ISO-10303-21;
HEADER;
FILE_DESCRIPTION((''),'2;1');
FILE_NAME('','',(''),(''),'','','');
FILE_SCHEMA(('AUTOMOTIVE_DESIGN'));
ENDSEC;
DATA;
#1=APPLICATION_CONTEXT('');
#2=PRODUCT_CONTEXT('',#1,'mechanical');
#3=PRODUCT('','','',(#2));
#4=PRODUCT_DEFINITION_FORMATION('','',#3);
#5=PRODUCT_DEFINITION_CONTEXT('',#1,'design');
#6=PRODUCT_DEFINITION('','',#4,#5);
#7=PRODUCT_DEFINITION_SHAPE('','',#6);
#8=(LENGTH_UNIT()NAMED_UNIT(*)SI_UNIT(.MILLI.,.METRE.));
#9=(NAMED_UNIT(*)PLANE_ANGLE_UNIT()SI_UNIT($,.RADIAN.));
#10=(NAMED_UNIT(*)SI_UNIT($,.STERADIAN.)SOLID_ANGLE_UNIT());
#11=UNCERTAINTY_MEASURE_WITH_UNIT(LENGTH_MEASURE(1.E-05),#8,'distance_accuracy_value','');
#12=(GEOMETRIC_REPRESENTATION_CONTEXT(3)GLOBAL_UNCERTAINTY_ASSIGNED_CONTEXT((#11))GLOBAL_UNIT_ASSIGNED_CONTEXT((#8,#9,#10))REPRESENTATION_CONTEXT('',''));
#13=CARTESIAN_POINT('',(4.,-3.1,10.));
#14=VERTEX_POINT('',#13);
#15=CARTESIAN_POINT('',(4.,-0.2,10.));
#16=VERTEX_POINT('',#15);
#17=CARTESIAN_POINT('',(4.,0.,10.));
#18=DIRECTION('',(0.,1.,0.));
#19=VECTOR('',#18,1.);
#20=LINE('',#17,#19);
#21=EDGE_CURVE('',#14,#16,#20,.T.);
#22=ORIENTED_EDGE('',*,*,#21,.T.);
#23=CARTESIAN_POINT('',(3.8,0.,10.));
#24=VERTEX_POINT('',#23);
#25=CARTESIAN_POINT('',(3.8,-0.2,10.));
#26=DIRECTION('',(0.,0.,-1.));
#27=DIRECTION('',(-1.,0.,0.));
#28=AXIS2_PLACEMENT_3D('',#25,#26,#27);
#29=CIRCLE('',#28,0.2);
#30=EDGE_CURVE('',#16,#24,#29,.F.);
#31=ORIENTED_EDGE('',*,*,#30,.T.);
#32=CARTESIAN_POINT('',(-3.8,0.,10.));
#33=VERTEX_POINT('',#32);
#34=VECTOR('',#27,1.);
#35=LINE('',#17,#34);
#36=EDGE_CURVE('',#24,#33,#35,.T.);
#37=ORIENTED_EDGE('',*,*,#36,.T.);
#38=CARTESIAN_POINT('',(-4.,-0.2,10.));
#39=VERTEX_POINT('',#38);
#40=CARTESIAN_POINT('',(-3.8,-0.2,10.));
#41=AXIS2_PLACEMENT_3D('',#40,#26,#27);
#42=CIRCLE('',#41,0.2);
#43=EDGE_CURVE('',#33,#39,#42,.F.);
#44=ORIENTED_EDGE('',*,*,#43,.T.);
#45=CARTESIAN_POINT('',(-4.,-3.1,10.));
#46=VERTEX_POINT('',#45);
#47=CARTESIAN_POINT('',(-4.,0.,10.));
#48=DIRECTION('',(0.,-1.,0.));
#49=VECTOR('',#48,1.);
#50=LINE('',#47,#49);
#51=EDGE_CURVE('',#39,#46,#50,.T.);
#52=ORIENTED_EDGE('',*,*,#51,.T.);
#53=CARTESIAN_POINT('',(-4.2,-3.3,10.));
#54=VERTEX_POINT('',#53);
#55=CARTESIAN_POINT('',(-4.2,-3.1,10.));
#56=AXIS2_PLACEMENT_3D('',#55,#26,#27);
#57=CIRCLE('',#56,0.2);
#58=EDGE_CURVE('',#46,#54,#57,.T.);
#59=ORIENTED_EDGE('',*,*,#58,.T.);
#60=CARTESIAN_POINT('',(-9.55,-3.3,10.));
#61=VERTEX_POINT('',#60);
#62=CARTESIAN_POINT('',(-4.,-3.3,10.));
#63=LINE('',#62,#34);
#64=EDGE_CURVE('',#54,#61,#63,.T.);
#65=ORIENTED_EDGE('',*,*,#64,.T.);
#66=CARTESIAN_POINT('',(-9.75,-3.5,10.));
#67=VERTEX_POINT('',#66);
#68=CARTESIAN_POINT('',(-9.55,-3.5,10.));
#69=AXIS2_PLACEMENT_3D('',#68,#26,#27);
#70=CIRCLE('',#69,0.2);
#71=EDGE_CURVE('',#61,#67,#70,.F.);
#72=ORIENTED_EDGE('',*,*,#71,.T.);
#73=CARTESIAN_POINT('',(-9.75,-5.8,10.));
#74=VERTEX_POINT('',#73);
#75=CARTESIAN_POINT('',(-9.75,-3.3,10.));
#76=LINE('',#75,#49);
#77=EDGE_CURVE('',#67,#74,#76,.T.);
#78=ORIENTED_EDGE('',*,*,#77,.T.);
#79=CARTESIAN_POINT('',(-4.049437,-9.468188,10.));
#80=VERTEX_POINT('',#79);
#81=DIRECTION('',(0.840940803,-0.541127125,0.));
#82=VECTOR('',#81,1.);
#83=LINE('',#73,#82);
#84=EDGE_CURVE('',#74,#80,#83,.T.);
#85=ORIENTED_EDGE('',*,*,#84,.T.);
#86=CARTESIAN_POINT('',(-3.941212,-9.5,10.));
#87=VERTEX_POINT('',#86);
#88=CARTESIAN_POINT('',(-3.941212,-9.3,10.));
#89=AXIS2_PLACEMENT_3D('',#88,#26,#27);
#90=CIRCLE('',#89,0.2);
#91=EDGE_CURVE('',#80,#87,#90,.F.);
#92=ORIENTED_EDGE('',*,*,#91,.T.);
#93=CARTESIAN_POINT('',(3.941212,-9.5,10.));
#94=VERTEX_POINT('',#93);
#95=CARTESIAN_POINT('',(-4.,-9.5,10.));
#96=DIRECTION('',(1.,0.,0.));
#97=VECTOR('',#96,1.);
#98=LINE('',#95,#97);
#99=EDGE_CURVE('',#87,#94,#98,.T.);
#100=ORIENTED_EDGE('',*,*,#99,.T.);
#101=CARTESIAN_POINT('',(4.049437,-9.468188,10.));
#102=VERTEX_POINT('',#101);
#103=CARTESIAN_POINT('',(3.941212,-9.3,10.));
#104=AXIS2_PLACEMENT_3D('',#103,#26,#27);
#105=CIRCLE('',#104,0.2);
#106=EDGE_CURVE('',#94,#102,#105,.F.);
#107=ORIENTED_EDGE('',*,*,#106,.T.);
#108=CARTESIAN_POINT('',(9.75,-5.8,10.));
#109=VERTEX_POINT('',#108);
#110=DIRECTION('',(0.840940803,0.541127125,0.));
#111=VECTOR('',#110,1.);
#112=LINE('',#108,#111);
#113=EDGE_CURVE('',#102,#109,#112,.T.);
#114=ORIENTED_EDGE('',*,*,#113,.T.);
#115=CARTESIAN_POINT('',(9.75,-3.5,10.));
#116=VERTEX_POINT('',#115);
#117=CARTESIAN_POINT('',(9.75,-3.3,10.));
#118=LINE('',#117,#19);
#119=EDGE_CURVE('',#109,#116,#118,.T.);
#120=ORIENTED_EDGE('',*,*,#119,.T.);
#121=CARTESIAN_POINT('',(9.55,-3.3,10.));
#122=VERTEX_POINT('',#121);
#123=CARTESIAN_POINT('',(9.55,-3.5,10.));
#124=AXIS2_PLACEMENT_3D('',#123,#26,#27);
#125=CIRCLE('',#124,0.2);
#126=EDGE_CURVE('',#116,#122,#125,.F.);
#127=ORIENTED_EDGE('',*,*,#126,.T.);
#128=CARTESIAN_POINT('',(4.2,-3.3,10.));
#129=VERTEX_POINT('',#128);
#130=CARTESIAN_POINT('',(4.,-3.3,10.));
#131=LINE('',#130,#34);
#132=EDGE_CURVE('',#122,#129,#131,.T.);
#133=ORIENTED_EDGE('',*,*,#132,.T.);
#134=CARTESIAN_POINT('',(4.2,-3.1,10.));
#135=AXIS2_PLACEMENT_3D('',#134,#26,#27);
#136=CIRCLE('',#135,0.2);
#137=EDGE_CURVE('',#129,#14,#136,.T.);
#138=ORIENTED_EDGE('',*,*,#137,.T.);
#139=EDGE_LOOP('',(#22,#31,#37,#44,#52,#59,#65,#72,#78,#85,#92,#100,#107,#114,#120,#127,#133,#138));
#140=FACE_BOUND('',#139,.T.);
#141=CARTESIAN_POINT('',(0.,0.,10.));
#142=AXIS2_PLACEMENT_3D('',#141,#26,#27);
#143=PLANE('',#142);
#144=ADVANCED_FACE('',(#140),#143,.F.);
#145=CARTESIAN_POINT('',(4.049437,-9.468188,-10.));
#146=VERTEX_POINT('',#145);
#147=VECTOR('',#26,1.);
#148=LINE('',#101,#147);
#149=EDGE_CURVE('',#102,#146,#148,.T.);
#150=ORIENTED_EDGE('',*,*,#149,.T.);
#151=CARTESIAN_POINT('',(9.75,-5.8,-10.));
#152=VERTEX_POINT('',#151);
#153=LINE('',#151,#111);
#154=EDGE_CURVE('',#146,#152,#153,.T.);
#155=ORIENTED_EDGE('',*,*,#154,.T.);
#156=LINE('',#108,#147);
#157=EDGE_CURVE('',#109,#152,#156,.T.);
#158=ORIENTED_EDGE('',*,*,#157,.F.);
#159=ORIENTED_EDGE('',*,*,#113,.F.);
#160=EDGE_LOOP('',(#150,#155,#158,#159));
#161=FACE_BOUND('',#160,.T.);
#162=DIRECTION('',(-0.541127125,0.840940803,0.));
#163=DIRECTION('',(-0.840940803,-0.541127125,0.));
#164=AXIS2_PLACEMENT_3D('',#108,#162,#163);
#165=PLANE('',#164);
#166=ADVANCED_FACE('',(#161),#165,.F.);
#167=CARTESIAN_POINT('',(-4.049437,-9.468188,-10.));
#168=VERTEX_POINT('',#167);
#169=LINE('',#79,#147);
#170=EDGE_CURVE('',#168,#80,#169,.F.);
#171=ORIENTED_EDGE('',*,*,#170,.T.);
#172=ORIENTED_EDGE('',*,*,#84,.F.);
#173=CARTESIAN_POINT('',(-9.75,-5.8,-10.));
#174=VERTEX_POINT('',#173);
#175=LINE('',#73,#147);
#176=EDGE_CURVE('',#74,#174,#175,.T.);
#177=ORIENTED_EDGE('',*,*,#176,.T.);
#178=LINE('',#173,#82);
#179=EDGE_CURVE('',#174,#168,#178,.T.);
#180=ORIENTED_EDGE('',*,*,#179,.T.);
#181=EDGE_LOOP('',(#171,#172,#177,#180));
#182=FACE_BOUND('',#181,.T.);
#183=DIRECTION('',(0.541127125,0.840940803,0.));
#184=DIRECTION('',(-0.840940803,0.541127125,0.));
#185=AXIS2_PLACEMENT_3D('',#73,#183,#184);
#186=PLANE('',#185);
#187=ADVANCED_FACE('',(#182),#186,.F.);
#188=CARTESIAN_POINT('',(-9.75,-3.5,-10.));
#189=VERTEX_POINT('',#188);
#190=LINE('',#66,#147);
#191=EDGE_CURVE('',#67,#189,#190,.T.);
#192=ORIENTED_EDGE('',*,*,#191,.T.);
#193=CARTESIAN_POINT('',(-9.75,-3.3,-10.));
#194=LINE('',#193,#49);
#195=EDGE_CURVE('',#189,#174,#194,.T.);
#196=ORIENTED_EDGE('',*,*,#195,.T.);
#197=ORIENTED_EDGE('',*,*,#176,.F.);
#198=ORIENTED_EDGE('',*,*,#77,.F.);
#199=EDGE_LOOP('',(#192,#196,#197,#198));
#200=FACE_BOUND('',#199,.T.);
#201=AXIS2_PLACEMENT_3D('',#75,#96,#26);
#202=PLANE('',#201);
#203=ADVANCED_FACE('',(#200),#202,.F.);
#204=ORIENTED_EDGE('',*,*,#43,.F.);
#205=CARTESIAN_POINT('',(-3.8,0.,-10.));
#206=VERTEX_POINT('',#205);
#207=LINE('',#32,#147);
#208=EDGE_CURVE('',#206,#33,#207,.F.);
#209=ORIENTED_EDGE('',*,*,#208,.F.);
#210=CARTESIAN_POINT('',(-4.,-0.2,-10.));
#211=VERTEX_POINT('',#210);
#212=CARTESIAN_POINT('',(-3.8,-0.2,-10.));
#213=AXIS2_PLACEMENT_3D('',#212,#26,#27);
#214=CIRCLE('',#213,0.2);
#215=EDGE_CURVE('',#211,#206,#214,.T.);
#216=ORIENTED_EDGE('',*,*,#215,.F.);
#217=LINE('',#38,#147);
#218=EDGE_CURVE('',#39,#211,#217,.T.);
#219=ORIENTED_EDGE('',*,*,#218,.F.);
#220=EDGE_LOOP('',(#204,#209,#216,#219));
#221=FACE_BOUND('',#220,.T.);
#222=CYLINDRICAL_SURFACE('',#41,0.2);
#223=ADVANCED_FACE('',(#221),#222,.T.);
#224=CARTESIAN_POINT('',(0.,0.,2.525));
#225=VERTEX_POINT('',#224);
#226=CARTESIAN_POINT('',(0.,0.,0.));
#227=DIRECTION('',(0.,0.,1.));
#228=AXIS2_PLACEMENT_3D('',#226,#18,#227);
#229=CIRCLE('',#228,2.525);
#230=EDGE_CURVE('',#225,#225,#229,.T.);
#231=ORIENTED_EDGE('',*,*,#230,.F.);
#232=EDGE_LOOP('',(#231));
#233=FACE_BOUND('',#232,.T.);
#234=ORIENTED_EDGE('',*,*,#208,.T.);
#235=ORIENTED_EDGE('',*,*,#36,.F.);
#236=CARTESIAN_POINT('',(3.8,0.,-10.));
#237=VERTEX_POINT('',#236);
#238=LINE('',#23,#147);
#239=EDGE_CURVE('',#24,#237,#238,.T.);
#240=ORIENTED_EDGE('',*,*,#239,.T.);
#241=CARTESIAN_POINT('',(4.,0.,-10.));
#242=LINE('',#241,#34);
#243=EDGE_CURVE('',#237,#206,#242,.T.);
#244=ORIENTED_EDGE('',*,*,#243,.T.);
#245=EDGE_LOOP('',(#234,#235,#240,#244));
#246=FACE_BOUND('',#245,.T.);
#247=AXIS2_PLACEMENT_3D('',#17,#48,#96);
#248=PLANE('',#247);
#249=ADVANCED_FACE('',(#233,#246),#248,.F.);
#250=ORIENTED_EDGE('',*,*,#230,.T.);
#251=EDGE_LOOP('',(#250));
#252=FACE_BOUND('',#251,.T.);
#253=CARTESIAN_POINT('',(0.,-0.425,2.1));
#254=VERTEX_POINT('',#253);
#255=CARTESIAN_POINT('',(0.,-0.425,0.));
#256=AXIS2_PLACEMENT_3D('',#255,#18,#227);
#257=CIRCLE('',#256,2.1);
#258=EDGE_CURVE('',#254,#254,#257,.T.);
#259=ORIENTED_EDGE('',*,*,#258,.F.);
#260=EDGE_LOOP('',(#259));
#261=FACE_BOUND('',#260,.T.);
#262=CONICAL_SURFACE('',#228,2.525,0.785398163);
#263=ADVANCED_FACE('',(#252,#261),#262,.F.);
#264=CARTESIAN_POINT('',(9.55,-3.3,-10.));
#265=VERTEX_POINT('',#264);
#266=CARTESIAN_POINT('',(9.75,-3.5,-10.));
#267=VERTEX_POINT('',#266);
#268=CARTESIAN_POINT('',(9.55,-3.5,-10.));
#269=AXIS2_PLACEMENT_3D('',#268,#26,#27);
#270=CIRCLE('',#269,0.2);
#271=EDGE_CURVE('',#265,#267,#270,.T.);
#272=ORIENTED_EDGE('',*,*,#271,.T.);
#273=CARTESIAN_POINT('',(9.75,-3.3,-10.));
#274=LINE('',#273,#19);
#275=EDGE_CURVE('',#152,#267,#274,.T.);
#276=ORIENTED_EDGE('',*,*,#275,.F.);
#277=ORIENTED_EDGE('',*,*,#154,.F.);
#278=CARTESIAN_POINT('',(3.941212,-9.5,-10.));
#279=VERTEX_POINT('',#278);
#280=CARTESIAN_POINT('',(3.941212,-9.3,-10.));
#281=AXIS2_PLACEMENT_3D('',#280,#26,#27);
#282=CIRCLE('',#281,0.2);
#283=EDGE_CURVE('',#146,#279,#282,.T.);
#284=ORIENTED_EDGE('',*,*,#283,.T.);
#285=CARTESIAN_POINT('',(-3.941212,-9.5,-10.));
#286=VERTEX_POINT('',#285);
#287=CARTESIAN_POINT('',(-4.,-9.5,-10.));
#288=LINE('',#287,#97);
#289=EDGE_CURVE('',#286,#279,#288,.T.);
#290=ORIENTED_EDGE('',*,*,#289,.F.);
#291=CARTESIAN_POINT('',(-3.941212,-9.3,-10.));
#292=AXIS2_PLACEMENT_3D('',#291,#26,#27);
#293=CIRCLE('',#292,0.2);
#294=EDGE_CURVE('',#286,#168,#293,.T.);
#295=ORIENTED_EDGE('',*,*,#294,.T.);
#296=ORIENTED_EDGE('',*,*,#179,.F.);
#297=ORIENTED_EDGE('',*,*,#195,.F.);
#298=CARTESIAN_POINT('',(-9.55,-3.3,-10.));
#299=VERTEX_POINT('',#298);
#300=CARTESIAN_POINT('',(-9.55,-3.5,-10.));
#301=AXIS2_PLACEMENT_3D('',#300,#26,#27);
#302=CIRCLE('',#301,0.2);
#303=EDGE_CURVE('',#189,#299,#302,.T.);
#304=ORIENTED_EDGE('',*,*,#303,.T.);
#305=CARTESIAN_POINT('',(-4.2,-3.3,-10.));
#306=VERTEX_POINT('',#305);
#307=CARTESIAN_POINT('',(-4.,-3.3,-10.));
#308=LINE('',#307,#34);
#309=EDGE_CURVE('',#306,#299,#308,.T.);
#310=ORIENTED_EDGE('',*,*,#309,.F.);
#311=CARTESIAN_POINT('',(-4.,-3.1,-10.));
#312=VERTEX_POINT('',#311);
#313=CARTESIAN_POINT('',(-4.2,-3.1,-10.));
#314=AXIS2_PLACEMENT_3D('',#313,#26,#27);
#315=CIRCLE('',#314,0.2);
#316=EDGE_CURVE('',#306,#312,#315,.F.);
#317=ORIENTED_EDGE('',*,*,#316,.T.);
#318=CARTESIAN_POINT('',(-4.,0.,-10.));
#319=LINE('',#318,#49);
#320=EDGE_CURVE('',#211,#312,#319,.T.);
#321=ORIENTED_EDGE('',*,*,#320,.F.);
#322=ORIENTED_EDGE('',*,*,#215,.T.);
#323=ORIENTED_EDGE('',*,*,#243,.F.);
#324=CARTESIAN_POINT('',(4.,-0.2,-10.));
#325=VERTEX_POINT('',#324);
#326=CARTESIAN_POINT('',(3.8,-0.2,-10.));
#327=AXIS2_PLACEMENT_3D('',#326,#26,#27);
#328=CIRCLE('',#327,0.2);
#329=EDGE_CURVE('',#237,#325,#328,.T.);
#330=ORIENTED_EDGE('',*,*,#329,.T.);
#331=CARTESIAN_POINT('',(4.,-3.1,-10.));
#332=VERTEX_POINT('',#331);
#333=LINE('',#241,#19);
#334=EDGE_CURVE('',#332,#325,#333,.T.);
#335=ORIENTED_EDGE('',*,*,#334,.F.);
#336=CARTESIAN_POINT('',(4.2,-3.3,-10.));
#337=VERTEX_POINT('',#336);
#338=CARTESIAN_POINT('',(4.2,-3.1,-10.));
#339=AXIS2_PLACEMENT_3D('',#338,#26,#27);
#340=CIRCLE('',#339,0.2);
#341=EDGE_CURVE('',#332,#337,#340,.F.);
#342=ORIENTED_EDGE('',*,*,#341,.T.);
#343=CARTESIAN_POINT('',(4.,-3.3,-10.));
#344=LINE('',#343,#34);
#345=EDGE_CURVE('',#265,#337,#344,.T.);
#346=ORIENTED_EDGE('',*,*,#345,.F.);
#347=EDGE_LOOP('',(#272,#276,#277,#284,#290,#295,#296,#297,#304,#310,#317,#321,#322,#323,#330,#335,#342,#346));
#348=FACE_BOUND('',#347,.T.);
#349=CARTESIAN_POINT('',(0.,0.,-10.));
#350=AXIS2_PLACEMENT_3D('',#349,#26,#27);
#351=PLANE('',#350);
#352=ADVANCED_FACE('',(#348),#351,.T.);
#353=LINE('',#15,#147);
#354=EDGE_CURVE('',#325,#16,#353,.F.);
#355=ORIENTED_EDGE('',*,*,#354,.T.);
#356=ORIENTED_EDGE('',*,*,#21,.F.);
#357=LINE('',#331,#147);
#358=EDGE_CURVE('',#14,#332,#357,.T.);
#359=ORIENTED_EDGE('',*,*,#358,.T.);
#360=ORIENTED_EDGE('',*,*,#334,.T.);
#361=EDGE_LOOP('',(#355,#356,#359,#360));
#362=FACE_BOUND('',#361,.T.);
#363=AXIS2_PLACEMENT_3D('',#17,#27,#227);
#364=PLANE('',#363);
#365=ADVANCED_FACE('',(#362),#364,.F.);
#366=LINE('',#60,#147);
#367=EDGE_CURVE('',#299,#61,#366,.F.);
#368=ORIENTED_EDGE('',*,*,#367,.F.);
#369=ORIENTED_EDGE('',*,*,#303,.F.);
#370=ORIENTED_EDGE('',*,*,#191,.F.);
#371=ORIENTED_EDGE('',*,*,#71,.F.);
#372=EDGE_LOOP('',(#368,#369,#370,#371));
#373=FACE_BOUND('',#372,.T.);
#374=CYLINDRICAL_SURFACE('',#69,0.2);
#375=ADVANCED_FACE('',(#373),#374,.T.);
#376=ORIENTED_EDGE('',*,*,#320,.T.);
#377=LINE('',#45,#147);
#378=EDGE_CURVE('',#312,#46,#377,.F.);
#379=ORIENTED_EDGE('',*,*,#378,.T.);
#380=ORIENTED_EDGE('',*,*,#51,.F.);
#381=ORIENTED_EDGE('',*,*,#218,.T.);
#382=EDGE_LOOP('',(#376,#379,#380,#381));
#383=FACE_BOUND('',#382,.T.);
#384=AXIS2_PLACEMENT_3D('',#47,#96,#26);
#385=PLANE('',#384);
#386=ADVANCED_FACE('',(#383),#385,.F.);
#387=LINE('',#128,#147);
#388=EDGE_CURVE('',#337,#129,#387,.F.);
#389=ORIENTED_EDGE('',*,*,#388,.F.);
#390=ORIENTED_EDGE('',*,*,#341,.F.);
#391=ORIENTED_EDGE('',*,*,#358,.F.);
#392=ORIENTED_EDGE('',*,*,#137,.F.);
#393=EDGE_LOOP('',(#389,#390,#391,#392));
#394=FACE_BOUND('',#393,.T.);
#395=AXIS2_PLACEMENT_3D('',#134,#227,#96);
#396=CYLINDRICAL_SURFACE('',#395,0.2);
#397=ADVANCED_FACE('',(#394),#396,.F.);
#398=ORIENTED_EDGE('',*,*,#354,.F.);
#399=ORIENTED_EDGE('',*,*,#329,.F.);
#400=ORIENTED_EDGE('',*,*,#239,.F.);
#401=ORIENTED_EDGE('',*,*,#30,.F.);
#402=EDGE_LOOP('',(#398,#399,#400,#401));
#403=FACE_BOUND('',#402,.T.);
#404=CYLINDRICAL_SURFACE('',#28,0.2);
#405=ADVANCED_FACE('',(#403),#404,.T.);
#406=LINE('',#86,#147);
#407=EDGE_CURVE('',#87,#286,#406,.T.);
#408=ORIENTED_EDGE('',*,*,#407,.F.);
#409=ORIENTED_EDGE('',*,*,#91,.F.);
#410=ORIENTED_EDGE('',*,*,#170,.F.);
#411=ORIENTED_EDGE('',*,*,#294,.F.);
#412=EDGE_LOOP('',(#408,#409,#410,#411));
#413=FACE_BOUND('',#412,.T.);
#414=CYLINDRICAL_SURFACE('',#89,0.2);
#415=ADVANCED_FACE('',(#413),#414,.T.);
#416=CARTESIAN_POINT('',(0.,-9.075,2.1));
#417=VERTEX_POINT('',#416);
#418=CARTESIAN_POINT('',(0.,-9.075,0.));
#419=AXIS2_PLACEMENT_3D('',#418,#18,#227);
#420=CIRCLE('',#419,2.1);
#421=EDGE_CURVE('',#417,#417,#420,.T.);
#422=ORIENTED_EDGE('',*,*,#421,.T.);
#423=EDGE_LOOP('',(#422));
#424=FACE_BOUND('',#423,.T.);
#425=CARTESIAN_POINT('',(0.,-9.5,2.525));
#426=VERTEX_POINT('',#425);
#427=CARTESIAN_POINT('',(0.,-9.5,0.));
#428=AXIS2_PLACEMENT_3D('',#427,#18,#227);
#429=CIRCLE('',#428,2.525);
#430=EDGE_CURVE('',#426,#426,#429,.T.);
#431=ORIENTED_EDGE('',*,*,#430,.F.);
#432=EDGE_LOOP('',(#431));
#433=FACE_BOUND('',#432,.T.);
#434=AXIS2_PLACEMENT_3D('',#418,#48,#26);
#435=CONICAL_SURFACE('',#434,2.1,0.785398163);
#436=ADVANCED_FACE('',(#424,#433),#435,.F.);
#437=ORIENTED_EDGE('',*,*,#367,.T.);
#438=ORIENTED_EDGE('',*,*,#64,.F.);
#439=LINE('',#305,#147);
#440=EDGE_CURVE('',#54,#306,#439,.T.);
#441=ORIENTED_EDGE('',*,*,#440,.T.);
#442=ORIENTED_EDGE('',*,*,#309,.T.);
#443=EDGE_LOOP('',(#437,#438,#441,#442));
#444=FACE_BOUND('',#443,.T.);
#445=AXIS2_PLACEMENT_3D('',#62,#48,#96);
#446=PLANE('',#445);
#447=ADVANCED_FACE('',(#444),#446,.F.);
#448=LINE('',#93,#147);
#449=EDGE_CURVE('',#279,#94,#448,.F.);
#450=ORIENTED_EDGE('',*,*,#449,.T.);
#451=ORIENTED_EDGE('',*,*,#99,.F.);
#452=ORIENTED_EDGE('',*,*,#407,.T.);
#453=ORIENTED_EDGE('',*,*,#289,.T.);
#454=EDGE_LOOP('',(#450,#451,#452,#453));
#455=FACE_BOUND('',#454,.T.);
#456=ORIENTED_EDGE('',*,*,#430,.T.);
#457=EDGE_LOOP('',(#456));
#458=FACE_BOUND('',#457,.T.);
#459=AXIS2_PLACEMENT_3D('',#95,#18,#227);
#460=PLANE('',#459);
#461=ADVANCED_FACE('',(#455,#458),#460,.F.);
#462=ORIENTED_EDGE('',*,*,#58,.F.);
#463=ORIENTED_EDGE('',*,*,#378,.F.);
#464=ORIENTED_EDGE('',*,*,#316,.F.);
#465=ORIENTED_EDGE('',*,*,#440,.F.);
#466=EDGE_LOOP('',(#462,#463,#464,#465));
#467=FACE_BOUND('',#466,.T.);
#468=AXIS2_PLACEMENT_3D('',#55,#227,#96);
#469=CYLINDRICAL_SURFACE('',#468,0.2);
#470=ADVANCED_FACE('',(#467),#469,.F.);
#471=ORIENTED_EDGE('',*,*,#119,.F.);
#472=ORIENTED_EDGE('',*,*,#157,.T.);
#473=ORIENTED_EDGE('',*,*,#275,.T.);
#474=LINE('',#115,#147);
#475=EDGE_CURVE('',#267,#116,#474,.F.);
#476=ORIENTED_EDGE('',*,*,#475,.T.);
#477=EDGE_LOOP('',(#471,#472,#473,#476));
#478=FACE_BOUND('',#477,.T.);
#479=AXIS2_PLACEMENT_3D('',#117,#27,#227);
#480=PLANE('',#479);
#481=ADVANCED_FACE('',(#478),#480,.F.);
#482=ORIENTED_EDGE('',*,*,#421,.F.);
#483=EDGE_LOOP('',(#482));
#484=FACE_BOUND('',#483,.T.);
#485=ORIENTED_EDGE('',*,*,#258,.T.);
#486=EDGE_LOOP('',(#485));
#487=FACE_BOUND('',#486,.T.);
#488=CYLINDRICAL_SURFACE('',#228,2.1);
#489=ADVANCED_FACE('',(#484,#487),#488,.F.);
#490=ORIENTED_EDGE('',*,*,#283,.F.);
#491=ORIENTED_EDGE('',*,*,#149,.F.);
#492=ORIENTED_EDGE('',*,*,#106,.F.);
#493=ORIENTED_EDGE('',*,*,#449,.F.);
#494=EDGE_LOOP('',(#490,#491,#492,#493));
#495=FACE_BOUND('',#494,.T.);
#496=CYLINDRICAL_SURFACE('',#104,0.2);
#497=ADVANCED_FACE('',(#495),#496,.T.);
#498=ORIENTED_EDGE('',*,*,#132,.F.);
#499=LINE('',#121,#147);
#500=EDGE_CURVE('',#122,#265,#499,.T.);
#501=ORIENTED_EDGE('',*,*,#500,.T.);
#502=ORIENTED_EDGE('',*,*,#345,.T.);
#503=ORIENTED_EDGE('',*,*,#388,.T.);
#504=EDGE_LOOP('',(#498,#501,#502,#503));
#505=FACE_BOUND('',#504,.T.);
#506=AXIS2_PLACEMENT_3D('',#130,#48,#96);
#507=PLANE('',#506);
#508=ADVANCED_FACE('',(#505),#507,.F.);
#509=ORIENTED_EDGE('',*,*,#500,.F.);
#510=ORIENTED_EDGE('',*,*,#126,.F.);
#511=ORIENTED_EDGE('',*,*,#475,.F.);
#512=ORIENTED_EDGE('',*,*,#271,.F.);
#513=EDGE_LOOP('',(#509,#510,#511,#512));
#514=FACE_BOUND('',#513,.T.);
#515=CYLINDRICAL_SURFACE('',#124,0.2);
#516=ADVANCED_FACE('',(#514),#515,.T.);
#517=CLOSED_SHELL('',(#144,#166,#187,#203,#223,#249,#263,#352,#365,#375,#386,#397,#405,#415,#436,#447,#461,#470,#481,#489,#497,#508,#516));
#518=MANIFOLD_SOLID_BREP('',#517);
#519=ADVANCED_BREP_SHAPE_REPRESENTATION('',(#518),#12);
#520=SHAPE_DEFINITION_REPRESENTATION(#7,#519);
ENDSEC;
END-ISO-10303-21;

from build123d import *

# Parameters (mm, degrees)
EXTRUDE_1_DEPTH = 10
FILLET_1_R      = 0.2


with BuildPart() as part:
    # Эскиз1 → Бобышка-Вытянуть1 (new body, symmetric)
    with BuildSketch(Plane.XY):
        Polygon((4, 0), (-4, 0), (-4, -3.3), (-9.75, -3.3), (-9.75, -5.8), (-4, -9.5), (4, -9.5), (9.75, -5.8), (9.75, -3.3), (4, -3.3), align=None)
    extrude(amount=EXTRUDE_1_DEPTH, both=True)

    # Эскиз4 → Отверстие обработанное метчиком M53 (revolve, cut)
    with BuildSketch(Plane(origin=(0, 0, 0), x_dir=(0, 0, 1), z_dir=(1, 0, 0))):
        Polygon((0, 0), (0, 9.5), (2.525, 9.5), (2.1, 9.075), (2.1, 0.425), (2.525, 0), align=None)
    revolve(axis=Axis((0, 6.35, 0), (0, -1, 0)), mode=Mode.SUBTRACT)

    # Скругление1
    fillet_1_edges = [part.edges().sort_by_distance(p)[0] for p in [
        (-4, 0, 0),
        (4, 0, 0),
        (4, -3.3, 0),
        (9.75, -3.3, 0),
        (4, -9.5, 0),
        (-4, -9.5, 0),
        (-9.75, -3.3, 0),
        (-4, -3.3, 0),
    ]]
    fillet(fillet_1_edges, radius=FILLET_1_R)


solid = part.part
